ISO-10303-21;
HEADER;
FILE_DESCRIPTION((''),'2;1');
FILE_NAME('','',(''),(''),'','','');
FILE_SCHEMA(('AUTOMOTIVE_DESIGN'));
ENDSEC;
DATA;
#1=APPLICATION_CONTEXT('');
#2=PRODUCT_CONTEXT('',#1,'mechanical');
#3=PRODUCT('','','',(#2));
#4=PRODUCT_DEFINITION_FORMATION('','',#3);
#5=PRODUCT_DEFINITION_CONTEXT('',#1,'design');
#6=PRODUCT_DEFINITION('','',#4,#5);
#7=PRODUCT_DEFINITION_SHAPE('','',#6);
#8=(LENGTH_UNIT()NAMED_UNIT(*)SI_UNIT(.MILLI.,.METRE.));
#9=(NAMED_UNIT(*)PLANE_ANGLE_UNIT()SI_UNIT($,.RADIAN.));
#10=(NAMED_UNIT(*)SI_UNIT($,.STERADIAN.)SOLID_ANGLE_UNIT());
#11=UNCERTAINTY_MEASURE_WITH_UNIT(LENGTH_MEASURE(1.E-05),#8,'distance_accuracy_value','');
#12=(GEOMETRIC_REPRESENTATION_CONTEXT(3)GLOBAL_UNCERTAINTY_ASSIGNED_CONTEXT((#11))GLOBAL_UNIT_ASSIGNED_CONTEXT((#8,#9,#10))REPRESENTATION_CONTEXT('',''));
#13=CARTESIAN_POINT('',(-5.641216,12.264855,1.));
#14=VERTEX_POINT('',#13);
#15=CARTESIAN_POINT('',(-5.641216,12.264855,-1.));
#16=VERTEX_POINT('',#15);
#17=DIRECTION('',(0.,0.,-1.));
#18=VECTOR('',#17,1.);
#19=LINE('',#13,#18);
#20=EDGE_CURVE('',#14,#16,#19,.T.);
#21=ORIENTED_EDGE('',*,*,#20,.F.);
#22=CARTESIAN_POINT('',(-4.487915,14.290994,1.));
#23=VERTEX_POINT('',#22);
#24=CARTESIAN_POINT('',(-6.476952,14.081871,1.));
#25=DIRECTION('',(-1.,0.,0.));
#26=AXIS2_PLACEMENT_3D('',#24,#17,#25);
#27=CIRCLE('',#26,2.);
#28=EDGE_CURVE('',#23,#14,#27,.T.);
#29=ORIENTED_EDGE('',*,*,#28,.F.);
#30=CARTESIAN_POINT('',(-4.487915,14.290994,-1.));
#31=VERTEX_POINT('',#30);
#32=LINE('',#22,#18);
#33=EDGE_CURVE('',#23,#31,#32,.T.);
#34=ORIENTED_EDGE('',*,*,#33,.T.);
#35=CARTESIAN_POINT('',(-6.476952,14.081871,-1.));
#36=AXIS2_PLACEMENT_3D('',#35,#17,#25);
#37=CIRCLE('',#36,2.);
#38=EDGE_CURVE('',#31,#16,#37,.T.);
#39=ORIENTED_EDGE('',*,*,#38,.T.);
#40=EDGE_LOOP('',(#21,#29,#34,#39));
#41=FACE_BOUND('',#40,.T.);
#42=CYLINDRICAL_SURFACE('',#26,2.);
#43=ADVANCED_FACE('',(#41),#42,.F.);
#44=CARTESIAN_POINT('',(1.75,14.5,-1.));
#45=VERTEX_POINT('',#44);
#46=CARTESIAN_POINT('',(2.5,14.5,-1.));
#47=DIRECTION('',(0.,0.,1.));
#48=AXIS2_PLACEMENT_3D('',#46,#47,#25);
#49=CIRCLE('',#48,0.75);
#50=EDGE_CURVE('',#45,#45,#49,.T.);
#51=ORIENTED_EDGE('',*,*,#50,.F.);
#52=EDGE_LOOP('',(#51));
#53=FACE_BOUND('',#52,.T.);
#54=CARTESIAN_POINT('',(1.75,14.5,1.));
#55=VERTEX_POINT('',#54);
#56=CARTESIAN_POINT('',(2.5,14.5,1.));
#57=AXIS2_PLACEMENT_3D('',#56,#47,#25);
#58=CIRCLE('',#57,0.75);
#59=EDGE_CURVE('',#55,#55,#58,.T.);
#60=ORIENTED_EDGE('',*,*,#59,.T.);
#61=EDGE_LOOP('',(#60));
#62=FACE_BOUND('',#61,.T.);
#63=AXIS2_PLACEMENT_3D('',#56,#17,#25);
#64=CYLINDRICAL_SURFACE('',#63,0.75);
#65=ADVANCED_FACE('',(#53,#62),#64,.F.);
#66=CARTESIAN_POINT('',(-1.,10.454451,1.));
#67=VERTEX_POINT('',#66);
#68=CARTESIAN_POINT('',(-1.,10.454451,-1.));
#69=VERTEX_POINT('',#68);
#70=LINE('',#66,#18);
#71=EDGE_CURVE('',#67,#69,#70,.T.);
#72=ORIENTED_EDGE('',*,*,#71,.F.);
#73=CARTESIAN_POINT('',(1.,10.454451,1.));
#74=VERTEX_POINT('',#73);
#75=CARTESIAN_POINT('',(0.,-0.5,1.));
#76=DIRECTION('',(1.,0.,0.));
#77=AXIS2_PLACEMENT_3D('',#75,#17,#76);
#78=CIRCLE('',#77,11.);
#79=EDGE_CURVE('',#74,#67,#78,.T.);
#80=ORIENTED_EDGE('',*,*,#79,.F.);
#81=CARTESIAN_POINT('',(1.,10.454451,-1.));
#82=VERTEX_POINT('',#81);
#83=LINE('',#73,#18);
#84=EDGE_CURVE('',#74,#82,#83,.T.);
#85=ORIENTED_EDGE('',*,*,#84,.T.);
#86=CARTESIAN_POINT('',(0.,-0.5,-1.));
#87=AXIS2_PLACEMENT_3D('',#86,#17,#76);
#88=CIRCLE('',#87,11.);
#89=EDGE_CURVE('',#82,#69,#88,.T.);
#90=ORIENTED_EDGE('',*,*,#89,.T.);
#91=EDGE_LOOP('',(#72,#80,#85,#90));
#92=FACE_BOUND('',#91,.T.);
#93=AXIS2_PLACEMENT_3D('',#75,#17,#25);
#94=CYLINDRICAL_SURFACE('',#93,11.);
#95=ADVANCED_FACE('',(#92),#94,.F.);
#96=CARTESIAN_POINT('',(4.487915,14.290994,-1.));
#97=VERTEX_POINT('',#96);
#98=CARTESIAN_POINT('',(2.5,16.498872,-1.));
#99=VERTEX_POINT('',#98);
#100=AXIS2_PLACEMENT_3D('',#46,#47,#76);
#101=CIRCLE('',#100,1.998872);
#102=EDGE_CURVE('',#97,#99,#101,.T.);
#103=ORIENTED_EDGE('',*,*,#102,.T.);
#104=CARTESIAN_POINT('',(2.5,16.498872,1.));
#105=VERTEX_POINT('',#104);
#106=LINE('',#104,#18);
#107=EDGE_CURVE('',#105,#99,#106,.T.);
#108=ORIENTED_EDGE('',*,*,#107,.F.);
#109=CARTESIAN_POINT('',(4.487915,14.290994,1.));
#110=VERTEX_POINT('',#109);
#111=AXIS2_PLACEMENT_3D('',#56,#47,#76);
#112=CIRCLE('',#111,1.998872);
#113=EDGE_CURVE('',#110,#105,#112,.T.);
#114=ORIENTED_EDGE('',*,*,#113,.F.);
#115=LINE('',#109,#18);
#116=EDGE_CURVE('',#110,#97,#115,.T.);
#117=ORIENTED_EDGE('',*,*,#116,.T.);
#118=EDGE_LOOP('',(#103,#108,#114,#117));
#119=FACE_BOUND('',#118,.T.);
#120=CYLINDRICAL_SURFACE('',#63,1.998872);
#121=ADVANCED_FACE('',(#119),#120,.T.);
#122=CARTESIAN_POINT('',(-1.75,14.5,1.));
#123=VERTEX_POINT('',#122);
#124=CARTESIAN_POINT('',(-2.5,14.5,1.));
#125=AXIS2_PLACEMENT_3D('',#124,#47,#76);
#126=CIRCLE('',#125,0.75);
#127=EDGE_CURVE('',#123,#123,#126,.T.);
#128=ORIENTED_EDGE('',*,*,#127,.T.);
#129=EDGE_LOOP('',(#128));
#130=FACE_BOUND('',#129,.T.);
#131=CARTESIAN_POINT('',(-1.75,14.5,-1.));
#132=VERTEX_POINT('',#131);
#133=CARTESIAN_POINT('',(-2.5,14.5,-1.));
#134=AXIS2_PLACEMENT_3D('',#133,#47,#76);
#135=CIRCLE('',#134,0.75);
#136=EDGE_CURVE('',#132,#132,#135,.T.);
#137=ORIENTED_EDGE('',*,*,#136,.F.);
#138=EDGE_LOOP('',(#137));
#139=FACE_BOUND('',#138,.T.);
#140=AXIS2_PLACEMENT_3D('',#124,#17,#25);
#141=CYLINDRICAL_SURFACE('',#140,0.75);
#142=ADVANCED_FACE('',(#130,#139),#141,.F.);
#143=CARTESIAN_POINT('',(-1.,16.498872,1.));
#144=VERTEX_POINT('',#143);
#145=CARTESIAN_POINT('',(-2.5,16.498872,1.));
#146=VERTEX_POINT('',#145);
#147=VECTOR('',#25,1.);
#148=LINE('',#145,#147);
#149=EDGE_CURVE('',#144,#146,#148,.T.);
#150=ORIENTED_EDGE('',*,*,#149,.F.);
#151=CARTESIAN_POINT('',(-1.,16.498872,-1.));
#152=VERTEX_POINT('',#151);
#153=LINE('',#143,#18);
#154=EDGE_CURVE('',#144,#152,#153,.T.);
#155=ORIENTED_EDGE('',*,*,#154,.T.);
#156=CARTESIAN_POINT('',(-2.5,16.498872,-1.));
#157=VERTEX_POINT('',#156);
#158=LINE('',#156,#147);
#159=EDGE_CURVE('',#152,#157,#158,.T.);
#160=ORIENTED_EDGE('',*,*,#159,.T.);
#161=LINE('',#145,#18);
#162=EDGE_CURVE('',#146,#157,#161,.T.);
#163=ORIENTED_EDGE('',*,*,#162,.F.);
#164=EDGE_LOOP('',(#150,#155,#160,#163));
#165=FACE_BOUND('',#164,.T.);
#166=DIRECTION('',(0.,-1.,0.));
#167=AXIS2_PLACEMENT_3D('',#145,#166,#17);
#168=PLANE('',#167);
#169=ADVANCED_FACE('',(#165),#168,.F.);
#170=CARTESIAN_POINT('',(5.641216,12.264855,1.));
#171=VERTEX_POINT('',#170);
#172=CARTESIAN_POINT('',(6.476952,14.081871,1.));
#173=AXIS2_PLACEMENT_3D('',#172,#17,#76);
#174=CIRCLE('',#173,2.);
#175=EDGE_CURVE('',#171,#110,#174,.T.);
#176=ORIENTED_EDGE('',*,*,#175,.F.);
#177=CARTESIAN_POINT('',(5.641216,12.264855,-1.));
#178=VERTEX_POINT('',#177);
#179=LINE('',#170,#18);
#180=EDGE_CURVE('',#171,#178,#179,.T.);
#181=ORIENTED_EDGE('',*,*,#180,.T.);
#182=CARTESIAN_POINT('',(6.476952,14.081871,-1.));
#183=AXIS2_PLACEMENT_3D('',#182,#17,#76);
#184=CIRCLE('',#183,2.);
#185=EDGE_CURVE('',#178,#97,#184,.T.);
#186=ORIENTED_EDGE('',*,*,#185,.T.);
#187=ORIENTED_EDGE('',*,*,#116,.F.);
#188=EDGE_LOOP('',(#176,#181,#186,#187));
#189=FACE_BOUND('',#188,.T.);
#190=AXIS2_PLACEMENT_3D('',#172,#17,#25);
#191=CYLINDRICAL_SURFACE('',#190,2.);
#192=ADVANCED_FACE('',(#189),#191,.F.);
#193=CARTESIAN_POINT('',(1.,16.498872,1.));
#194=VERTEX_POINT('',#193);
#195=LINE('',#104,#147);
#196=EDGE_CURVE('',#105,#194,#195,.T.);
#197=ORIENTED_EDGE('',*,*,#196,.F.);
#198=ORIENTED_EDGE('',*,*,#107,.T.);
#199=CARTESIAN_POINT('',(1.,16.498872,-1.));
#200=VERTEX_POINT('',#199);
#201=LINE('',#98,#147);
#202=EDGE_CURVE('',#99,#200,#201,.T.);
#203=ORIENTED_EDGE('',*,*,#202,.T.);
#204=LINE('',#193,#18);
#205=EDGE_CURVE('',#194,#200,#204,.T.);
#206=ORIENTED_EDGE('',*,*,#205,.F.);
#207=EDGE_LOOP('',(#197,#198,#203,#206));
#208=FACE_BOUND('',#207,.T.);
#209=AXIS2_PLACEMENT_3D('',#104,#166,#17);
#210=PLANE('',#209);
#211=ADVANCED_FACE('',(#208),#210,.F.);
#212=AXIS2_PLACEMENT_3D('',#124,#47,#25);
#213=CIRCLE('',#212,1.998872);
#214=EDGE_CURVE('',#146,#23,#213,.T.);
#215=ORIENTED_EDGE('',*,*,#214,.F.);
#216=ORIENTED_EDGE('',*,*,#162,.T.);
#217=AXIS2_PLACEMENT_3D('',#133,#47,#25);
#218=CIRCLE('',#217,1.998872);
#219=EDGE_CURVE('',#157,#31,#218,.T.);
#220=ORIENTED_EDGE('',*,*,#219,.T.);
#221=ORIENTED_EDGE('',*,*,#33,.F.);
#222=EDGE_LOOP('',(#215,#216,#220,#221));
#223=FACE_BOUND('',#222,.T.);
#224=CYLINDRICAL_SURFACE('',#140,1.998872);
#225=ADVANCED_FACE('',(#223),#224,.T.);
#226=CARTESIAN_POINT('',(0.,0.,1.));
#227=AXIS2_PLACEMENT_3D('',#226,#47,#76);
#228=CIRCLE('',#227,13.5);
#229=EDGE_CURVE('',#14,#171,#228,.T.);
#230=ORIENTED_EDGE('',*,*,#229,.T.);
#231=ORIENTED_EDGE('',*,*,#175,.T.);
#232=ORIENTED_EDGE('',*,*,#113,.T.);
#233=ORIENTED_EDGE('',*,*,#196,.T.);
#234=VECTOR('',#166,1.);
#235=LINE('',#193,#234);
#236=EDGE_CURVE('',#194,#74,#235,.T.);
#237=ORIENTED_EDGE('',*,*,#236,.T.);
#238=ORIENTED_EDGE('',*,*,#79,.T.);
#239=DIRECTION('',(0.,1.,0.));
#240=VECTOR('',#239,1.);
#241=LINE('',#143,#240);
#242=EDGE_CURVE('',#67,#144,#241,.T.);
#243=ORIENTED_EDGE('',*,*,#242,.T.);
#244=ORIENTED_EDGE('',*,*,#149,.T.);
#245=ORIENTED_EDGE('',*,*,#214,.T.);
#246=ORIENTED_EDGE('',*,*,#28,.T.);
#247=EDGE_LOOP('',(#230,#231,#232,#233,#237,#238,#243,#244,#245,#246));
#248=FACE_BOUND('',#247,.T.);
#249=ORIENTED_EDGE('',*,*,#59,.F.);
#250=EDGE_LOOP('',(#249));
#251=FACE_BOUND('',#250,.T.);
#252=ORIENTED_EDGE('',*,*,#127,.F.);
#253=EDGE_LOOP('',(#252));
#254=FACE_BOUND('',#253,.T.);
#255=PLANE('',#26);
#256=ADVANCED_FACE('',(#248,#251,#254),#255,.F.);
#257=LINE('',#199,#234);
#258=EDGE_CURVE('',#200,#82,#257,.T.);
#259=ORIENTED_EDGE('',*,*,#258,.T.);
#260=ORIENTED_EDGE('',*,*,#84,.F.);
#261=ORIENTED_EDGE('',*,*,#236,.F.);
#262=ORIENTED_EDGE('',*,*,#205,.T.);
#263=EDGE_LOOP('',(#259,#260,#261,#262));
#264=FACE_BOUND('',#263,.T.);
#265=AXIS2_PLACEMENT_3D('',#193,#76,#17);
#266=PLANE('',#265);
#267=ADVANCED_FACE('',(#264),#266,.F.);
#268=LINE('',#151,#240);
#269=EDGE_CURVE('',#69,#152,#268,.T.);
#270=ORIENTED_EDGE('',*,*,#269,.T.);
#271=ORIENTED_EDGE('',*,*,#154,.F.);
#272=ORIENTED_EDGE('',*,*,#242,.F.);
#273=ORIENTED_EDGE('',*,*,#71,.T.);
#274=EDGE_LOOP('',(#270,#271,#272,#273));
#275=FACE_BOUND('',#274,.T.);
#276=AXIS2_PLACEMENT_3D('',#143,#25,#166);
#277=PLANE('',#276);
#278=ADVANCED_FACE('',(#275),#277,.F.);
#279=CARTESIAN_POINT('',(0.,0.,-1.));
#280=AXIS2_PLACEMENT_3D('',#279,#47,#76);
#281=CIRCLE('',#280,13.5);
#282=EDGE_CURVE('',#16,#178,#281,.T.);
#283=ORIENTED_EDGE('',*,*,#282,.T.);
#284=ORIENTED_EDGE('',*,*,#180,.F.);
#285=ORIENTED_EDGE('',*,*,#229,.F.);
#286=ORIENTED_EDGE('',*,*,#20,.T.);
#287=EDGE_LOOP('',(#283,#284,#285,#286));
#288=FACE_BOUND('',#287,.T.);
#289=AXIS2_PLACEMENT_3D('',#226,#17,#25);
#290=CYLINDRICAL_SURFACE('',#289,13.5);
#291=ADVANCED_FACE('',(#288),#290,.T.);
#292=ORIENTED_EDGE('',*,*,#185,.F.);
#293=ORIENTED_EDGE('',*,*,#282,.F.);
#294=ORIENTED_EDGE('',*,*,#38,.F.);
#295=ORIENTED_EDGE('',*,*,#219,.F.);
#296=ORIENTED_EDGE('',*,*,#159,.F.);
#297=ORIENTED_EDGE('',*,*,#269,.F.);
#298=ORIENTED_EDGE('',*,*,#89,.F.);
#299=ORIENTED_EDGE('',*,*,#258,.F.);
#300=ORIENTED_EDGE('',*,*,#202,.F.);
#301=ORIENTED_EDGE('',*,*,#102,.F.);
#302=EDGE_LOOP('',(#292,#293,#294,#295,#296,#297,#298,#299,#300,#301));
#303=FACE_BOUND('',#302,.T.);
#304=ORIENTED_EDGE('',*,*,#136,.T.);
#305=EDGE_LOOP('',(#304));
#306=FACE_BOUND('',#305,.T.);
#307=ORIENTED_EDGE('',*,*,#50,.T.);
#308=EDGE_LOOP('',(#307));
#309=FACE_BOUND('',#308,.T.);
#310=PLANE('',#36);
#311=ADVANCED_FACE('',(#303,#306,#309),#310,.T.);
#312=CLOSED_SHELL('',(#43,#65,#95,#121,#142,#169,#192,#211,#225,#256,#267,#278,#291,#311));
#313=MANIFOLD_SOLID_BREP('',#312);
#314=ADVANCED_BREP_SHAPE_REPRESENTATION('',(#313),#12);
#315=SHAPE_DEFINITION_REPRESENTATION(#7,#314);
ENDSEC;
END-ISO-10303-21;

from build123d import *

# Parameters (mm, degrees)
IZIM1_R                     = 0.75
Y_KSEKLIK_EKSTR_ZYON1_DEPTH = 1


with BuildPart() as part:
    # Çizim1 → Yükseklik-Ekstrüzyon1 (new body, symmetric)
    with BuildSketch(Plane.XY):
        with BuildLine():
            Line((-2.5, 16.498872216), (-1, 16.498872216))
            Line((-1, 16.498872216), (-1, 10.45445115))
            ThreePointArc((-1, 10.45445115), (0, -11.5), (1, 10.45445115))
            Line((1, 10.45445115), (1, 16.498872216))
            Line((1, 16.498872216), (2.5, 16.498872216))
            ThreePointArc((2.5, 16.498872216), (3.985473902, 15.837481746), (4.487915198, 14.290994496))
            ThreePointArc((4.487915198, 14.290994496), (4.738807919, 13.092499976), (5.641216256, 12.264855448))
            ThreePointArc((5.641216256, 12.264855448), (0, -13.5), (-5.641216256, 12.264855448))
            ThreePointArc((-5.641216256, 12.264855448), (-4.738807919, 13.092499976), (-4.487915198, 14.290994496))
            ThreePointArc((-4.487915198, 14.290994496), (-3.985473902, 15.837481746), (-2.5, 16.498872216))
        make_face()
        with Locations((-2.5, 14.5)):
            Circle(IZIM1_R, mode=Mode.SUBTRACT)
        with Locations((2.5, 14.5)):
            Circle(IZIM1_R, mode=Mode.SUBTRACT)
    extrude(amount=Y_KSEKLIK_EKSTR_ZYON1_DEPTH, both=True)


solid = part.part
